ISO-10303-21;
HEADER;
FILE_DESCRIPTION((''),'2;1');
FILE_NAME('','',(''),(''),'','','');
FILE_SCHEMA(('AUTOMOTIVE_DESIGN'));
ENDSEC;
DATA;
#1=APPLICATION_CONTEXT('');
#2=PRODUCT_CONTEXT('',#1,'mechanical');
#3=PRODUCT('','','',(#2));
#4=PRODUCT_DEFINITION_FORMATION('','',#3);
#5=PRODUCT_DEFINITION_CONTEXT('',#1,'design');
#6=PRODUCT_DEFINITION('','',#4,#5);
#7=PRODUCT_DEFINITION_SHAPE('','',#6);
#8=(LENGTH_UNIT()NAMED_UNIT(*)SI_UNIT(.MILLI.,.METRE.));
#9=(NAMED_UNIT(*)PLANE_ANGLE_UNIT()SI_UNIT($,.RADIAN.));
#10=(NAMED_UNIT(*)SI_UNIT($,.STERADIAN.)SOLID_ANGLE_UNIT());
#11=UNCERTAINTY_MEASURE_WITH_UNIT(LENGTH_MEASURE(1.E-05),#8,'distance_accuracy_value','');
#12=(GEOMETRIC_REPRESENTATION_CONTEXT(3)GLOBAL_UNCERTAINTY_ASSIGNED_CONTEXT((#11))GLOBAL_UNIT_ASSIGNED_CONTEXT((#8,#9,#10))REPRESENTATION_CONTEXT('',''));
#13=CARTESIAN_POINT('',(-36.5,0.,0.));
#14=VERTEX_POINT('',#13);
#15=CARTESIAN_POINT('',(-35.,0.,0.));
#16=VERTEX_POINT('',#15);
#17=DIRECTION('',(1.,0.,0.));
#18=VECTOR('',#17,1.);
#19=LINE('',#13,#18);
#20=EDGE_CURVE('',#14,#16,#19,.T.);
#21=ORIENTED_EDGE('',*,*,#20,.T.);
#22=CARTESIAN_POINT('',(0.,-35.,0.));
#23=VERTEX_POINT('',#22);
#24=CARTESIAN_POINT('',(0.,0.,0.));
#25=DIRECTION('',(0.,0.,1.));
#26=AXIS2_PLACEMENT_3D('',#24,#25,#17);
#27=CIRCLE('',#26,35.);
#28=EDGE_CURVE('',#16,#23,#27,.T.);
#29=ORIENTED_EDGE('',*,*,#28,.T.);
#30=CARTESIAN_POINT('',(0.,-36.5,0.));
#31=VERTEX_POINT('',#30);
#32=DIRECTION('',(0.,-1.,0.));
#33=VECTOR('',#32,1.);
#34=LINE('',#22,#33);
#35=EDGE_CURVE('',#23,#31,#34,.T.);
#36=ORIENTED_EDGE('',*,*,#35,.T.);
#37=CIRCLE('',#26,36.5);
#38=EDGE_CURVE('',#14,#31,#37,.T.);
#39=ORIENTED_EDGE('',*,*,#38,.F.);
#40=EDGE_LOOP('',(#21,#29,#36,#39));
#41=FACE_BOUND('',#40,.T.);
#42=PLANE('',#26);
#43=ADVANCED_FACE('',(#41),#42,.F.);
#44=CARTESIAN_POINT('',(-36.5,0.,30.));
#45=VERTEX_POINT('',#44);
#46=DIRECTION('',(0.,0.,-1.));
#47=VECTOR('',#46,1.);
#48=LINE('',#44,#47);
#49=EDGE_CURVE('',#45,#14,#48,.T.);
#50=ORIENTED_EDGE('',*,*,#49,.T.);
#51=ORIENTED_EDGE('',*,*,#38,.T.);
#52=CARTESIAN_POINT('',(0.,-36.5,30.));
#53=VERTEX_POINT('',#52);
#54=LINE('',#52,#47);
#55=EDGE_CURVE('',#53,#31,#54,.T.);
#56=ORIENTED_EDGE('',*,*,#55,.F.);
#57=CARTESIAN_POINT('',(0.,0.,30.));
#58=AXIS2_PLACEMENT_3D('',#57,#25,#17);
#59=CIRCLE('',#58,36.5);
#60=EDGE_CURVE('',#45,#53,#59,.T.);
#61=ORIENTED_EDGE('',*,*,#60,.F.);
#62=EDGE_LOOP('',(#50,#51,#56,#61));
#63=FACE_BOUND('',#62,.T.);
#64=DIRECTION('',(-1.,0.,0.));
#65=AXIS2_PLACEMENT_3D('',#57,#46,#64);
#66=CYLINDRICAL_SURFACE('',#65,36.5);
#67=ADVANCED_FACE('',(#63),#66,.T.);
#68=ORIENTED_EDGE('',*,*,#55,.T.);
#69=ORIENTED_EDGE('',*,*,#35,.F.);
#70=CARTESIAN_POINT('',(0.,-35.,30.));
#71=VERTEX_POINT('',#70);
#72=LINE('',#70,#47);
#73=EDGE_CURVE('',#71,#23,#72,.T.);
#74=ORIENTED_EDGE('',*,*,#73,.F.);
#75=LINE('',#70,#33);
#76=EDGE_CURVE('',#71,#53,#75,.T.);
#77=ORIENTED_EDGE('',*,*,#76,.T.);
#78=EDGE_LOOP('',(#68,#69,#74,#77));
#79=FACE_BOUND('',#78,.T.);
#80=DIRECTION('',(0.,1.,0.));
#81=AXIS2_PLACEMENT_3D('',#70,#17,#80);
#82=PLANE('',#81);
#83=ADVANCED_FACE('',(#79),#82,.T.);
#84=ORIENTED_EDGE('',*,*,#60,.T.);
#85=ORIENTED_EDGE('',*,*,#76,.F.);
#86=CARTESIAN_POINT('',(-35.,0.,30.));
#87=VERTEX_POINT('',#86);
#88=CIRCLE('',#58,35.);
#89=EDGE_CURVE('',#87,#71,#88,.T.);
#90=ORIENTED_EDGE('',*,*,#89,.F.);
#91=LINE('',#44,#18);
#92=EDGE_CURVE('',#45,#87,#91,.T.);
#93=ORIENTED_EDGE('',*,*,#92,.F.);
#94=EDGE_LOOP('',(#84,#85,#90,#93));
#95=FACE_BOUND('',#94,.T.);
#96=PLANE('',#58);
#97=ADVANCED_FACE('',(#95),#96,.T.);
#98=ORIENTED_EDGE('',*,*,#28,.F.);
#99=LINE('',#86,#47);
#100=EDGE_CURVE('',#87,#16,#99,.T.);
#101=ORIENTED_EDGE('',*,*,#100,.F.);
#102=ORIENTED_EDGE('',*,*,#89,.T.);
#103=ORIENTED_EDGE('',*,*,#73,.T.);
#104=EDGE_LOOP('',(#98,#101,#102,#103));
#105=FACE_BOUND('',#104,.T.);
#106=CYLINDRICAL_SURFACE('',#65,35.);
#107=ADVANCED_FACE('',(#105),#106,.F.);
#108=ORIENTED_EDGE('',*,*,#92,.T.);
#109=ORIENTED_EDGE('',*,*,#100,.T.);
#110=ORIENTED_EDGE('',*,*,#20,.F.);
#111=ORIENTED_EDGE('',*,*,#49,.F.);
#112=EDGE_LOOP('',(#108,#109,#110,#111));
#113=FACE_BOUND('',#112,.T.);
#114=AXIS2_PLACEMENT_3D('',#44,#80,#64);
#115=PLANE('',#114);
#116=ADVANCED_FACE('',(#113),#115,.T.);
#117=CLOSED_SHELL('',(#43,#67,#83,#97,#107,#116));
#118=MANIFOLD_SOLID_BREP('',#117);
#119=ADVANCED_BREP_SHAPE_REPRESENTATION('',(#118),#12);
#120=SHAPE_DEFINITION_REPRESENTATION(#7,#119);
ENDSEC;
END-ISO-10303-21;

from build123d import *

# Parameters (mm, degrees)
EXTRU_MINCE1_DEPTH = 30


with BuildPart() as part:
    # Esquisse1 → Extru.-Mince1 (new body)
    with BuildSketch(Plane.XY):
        with BuildLine():
            ThreePointArc((-35, 0), (-24.748737342, -24.748737342), (0, -35))
            Line((0, -35), (0, -36.5))
            ThreePointArc((0, -36.5), (-25.809397513, -25.809397513), (-36.5, 0))
            Line((-36.5, 0), (-35, 0))
        make_face()
    extrude(amount=EXTRU_MINCE1_DEPTH)


solid = part.part
